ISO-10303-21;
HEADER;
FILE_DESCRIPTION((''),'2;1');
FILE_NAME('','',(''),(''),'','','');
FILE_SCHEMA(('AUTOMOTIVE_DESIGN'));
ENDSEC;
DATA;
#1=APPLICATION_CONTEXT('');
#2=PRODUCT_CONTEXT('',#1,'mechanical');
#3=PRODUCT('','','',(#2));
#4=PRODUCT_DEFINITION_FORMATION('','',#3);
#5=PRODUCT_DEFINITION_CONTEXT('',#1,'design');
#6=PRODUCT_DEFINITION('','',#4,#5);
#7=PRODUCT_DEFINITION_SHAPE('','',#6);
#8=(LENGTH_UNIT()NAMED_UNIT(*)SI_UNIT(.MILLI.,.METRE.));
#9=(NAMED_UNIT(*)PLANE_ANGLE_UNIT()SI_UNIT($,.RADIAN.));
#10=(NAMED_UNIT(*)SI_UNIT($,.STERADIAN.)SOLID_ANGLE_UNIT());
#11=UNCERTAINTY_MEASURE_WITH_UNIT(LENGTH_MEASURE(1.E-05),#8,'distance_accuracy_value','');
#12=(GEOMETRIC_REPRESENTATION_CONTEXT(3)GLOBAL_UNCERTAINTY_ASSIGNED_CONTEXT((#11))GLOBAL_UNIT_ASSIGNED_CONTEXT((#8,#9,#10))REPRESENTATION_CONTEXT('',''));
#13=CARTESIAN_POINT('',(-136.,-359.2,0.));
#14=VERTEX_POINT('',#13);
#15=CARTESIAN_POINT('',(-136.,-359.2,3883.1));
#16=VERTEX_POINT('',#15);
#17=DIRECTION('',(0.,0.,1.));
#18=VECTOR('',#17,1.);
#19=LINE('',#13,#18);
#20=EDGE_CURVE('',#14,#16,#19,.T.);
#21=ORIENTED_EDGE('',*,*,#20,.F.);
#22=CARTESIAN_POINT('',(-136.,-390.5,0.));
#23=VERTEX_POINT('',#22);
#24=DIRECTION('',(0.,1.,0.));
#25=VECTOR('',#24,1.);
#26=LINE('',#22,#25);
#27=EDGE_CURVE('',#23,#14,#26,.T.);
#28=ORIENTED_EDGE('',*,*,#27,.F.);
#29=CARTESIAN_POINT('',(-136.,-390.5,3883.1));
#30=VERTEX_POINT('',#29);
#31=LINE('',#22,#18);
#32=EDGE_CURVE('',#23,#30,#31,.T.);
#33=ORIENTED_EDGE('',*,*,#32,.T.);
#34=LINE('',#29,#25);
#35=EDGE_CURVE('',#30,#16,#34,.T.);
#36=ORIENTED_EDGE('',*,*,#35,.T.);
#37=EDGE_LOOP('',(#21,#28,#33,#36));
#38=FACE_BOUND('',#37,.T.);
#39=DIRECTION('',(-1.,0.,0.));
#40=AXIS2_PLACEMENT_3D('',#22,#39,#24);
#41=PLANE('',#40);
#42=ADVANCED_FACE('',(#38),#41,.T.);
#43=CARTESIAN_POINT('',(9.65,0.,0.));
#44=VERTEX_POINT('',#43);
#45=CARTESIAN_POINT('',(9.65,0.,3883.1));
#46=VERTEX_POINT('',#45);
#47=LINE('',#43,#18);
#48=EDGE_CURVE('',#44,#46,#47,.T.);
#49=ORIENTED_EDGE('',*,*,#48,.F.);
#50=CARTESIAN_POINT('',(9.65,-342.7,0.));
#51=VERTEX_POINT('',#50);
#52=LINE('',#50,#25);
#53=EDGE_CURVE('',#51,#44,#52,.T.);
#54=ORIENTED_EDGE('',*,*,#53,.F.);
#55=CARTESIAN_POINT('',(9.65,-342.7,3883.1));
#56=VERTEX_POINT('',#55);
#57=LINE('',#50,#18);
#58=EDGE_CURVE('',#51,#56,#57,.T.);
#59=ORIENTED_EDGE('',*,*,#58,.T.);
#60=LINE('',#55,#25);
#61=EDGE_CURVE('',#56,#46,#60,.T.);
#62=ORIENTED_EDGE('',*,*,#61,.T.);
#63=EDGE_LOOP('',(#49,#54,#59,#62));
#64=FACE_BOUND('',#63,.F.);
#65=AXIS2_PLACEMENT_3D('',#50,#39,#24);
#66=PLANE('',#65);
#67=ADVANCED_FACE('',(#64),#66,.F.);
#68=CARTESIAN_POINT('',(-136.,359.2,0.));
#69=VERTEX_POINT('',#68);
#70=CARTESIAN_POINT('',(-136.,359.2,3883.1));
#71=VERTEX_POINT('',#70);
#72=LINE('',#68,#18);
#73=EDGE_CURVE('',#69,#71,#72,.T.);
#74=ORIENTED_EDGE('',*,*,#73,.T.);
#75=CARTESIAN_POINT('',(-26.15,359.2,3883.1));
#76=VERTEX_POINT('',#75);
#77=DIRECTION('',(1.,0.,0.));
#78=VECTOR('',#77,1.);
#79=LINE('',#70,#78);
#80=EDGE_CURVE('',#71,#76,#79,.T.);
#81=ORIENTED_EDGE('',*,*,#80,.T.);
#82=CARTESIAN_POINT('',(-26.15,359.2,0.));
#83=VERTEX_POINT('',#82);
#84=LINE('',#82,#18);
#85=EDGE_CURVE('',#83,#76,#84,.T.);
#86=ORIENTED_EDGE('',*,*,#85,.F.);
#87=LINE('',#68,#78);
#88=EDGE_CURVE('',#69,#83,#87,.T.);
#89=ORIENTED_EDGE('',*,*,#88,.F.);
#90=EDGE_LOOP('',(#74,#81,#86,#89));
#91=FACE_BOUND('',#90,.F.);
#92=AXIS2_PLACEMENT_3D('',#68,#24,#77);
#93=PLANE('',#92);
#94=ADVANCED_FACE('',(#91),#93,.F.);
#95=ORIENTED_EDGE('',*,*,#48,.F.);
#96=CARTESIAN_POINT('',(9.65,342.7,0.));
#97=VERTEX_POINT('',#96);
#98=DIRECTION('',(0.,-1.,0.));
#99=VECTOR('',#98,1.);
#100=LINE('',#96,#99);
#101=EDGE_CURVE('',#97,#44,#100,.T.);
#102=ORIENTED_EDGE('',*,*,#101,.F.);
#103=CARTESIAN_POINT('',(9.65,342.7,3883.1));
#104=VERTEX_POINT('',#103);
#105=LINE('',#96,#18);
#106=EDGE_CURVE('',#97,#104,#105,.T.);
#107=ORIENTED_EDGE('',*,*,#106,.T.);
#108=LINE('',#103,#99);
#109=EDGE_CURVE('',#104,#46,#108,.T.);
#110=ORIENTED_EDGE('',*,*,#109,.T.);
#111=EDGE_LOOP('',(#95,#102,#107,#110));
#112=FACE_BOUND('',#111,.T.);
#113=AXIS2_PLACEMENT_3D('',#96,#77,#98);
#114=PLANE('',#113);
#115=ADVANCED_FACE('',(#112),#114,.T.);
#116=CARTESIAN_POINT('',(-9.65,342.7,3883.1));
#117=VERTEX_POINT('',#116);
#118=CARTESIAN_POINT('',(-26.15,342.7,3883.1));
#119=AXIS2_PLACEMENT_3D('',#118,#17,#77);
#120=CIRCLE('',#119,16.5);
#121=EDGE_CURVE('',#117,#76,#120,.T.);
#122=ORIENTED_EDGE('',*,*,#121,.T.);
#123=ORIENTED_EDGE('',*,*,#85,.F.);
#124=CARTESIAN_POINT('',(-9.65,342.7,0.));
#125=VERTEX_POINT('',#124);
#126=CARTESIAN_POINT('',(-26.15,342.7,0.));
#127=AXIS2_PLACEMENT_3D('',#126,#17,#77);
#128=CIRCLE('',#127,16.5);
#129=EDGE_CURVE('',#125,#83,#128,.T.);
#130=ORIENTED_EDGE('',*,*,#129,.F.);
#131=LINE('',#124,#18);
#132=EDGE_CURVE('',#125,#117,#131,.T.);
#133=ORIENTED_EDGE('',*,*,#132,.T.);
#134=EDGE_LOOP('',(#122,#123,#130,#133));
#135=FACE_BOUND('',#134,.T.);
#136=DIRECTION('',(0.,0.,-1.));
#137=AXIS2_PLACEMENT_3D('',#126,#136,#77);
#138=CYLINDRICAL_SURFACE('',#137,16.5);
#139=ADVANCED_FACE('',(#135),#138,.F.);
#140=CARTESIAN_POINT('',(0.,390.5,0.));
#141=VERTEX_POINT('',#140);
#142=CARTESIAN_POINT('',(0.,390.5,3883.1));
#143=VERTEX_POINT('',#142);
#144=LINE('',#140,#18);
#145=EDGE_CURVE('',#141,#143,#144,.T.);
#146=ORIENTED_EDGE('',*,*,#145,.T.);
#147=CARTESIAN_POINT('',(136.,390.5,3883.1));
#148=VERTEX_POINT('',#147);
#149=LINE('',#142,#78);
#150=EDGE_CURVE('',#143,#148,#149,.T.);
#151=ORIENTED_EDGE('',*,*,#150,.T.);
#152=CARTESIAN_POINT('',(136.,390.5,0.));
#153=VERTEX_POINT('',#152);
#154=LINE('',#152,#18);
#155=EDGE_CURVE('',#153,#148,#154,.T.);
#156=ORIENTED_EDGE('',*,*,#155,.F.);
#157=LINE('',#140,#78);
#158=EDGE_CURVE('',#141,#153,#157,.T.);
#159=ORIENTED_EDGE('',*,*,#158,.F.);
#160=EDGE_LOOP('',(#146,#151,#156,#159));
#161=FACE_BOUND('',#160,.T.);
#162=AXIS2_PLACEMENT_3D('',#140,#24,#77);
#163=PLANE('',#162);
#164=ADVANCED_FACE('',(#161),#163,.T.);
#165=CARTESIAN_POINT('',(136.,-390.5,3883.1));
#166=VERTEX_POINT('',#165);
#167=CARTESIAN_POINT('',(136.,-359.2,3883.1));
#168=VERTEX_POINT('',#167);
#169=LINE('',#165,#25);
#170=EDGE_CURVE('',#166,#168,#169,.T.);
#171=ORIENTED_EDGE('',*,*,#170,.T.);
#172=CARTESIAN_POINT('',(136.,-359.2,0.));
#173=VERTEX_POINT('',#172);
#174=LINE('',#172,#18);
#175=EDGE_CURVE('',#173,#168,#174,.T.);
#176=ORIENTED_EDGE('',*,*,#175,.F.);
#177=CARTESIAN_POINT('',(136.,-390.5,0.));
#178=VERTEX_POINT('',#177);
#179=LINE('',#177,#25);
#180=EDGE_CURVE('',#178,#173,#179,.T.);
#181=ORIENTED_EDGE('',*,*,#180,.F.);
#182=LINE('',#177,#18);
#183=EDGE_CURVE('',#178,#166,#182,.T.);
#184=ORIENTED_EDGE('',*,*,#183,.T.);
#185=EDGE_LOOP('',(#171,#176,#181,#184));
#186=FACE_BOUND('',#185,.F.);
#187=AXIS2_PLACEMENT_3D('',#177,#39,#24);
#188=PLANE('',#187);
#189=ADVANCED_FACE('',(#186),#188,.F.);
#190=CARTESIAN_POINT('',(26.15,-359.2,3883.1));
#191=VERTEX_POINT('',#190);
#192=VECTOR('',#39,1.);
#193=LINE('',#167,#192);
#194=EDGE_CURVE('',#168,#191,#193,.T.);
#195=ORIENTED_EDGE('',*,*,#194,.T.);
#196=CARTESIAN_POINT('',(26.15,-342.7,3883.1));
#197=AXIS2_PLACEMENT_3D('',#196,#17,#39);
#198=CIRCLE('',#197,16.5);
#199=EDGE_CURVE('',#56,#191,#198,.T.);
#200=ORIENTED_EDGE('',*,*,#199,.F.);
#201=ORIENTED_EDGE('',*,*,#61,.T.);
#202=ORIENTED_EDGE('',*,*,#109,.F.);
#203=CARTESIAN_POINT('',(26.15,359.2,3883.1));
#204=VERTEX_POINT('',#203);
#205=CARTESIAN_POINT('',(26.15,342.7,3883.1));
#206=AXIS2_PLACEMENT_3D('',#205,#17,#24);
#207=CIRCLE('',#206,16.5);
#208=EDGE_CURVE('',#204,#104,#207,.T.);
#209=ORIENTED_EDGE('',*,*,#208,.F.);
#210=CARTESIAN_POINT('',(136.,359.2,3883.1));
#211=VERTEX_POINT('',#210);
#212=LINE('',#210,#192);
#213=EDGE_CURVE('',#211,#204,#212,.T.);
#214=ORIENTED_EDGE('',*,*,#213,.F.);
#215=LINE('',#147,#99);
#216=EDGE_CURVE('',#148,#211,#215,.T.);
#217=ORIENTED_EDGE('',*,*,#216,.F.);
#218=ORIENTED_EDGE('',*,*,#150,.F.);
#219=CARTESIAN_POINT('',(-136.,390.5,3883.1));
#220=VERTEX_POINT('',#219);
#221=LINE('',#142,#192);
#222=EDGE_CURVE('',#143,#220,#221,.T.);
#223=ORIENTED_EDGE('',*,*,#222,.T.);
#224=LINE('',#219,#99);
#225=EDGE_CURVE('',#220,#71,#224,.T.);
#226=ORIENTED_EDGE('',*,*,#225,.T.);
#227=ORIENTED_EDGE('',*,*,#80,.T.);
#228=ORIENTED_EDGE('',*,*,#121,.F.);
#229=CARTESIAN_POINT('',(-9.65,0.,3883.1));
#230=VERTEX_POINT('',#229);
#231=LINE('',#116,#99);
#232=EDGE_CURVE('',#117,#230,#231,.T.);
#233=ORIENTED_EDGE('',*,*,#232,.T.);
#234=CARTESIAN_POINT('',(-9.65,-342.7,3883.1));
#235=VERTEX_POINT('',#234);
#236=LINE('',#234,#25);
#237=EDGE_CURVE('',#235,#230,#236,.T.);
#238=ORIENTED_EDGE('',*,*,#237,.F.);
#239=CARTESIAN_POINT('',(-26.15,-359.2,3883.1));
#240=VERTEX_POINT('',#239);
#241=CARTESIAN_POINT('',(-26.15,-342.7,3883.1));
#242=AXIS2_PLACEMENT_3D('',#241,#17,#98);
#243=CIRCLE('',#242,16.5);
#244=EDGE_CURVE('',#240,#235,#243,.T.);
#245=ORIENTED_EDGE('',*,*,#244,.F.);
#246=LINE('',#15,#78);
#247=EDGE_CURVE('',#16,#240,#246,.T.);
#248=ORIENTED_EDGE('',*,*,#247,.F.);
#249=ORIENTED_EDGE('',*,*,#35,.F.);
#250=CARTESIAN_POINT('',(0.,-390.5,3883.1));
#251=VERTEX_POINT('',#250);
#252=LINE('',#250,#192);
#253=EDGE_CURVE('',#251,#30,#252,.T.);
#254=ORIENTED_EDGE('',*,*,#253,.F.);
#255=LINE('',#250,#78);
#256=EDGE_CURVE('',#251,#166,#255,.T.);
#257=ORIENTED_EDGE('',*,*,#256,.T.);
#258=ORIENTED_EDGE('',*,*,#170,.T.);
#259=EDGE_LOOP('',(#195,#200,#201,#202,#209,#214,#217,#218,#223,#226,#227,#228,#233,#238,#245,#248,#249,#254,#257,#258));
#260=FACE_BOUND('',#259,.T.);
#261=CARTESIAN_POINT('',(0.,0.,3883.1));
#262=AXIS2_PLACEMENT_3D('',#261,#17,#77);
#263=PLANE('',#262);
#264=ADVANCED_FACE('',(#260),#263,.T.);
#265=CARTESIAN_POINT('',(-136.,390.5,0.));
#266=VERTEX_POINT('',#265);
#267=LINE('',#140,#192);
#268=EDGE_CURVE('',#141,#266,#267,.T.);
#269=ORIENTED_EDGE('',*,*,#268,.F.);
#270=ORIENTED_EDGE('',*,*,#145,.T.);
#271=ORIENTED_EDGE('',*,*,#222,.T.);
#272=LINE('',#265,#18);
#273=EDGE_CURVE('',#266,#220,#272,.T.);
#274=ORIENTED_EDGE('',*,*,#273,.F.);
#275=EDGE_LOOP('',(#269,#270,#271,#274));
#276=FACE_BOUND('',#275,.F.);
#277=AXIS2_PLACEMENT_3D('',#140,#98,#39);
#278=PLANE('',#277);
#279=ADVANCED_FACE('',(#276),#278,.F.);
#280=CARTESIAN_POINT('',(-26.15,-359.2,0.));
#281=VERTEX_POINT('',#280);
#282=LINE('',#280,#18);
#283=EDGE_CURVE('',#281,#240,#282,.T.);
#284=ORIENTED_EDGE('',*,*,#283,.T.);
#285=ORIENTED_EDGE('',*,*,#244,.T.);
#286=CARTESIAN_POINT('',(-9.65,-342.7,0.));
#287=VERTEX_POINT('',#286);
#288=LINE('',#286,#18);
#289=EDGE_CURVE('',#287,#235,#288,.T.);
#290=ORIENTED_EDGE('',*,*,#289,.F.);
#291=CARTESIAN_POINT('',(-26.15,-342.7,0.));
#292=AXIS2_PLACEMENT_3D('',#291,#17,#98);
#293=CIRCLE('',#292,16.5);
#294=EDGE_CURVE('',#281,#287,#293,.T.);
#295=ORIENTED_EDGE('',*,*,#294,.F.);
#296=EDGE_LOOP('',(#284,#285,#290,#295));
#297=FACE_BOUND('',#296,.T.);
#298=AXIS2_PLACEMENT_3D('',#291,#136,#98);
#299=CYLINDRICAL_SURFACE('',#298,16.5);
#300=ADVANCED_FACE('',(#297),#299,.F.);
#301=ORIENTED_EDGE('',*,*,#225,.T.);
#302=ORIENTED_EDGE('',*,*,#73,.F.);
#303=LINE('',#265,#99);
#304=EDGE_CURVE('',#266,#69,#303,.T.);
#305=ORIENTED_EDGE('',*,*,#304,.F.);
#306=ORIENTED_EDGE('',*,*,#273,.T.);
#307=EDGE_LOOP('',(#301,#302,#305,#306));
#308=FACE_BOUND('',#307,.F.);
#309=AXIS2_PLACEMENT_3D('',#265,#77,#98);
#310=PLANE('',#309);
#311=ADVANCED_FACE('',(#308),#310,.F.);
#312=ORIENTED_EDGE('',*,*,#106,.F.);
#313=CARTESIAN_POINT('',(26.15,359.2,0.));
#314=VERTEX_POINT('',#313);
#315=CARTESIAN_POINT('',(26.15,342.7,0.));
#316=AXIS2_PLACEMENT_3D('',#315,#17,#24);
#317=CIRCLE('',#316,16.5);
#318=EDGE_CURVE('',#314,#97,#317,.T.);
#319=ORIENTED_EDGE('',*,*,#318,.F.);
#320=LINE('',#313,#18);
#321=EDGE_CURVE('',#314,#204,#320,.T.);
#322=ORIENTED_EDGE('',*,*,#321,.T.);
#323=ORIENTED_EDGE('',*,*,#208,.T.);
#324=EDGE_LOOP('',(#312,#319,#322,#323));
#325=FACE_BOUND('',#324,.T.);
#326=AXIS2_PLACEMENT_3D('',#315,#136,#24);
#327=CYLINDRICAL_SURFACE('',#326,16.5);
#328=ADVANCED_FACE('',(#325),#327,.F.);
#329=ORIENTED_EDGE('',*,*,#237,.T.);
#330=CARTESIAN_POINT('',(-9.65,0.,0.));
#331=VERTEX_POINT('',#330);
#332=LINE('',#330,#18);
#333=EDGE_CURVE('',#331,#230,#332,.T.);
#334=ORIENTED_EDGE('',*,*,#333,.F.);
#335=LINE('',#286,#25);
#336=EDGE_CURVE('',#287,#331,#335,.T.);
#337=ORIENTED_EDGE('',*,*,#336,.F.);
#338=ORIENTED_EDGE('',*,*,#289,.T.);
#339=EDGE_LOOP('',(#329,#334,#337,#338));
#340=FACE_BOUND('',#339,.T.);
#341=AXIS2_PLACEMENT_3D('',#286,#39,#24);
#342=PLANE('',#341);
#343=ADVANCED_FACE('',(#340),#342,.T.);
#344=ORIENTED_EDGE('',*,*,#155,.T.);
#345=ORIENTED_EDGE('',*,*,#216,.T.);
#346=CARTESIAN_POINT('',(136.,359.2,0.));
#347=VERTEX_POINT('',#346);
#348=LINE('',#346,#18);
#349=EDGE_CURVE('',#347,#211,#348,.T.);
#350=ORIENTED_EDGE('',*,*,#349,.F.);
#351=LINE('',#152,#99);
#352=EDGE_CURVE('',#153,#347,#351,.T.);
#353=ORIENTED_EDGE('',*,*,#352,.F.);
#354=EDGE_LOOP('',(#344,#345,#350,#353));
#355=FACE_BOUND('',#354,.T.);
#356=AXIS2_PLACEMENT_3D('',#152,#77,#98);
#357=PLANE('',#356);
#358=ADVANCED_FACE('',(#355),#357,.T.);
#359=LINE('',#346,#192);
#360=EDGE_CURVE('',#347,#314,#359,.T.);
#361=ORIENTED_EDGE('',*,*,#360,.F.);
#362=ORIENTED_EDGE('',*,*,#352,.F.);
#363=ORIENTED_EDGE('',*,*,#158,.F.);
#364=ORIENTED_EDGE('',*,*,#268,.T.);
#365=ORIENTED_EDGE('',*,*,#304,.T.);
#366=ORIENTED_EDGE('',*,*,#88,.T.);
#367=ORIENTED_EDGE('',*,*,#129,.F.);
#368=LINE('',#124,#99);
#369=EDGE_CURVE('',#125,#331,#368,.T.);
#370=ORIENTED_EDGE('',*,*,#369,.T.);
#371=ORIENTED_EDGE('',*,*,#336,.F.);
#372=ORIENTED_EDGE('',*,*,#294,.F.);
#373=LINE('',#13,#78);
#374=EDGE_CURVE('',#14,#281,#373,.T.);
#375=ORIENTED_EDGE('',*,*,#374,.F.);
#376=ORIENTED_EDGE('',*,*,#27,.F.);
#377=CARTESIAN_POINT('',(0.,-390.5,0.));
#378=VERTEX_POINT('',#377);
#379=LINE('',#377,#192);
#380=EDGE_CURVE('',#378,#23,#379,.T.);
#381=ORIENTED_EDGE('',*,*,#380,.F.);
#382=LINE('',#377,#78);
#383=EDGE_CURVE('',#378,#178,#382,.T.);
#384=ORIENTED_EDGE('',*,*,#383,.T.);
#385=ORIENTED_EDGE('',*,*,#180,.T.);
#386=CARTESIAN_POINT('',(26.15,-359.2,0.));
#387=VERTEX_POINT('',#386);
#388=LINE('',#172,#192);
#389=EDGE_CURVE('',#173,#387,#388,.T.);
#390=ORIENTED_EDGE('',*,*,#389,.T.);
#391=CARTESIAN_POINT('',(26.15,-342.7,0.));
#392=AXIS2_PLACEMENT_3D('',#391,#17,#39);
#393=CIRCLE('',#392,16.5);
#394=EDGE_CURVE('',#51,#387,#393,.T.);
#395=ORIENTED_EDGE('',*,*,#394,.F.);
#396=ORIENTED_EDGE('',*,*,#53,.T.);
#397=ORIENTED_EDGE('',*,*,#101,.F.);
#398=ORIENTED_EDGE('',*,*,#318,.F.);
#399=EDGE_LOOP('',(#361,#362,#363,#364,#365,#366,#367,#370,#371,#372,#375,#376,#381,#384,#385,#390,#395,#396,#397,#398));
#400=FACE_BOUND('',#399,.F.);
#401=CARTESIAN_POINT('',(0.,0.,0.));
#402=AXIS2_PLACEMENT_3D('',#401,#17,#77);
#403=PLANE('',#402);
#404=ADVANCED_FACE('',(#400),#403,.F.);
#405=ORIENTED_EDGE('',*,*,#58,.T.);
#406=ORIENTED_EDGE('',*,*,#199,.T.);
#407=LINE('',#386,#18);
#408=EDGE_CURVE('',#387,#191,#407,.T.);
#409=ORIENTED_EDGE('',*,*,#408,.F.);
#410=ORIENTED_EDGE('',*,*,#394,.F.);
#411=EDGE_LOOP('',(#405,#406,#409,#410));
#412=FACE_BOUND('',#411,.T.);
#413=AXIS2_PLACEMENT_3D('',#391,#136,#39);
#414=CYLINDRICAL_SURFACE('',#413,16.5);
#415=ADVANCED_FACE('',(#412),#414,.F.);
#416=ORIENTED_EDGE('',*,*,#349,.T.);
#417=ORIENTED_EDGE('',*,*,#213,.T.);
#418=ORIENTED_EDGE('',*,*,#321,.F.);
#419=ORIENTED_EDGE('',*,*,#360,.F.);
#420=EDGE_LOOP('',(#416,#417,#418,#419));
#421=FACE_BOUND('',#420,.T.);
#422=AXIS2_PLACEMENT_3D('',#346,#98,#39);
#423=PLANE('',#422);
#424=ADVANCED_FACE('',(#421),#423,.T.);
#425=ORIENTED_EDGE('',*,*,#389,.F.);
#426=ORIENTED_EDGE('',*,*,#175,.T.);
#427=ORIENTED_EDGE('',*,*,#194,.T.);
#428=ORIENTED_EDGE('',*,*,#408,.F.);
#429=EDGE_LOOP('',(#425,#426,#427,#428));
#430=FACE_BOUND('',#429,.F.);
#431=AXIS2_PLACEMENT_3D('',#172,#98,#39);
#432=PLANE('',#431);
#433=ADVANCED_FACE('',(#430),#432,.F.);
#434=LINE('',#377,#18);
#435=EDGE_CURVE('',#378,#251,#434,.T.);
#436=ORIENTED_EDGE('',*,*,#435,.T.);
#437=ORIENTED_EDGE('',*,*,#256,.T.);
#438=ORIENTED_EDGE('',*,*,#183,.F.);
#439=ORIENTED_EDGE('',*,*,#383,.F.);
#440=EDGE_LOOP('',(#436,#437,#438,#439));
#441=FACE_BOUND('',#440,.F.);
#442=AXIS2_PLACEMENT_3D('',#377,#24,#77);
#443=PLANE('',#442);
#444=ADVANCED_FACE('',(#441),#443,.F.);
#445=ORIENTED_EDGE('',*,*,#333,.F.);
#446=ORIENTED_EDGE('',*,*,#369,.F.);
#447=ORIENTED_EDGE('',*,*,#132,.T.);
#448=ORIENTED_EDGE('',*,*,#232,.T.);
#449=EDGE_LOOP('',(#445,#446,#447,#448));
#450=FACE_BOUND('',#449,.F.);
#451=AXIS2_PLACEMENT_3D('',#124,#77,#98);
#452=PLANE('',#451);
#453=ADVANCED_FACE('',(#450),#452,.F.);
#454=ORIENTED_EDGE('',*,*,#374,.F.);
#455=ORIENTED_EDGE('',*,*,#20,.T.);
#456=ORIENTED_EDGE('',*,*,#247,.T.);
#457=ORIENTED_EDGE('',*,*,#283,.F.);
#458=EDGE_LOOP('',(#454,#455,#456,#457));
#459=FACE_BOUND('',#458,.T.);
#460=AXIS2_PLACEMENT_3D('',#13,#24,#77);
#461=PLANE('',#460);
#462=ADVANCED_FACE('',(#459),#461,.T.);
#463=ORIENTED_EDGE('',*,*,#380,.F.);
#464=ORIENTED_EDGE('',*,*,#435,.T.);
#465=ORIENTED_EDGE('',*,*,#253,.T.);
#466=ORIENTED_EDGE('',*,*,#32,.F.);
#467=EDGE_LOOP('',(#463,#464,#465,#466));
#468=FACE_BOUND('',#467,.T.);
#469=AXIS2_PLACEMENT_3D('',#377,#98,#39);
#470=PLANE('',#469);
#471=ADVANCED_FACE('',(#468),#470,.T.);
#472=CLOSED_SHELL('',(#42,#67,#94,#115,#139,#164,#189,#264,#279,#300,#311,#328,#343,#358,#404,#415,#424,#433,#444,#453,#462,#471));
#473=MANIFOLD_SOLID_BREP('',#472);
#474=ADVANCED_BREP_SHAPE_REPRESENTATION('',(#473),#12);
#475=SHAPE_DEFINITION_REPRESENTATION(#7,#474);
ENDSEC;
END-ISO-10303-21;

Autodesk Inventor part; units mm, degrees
ref_plane "YZ Plane" through (0, 0, 0) normal (1, 0, 0) x (0, 1, 0)
ref_plane "Start plane" through (0, 0, 0) normal (0, 0, 1) x (1, 0, 0)
ref_plane "End plane" through (0, 0, 3883.1) normal (0, 0, 1) x (1, 0, 0)
sketch "Sketch" plane through (0, 0, 0) normal (0, 0, 1) x (1, 0, 0)
  line L0 (-136, -390.5) -> (-136, -359.2)
  line L1 (-136, -359.2) -> (-26.15, -359.2)
  line L2 (-9.65, -342.7) -> (-9.65, 0)
  line L3 (-9.65, 0) -> (0, 0) construction
  line L4 (0, 0) -> (0, -390.5) construction
  line L5 (0, -390.5) -> (-136, -390.5)
  line L6 (-60, 0) -> (80, 0) construction
  line L7 (0, -60) -> (0, 80) construction
  line L8 (136, -390.5) -> (136, -359.2)
  line L9 (136, -359.2) -> (26.15, -359.2)
  line L10 (9.65, -342.7) -> (9.65, 0)
  line L11 (9.65, 0) -> (0, 0) construction
  line L12 (0, -390.5) -> (136, -390.5)
  line L13 (-136, 390.5) -> (-136, 359.2)
  line L14 (-136, 359.2) -> (-26.15, 359.2)
  line L15 (-9.65, 342.7) -> (-9.65, 0)
  line L16 (0, 390.5) -> (-136, 390.5)
  line L17 (136, 390.5) -> (136, 359.2)
  line L18 (136, 359.2) -> (26.15, 359.2)
  line L19 (0, 390.5) -> (136, 390.5)
  line L20 (9.65, 342.7) -> (9.65, 0)
  arc A0 (-9.65, 342.7) -> (-26.15, 359.2) centre (-26.15, 342.7) ccw
  arc A1 (26.15, 359.2) -> (9.65, 342.7) centre (26.15, 342.7) ccw
  arc A2 (9.65, -342.7) -> (26.15, -359.2) centre (26.15, -342.7) ccw
  arc A3 (-26.15, -359.2) -> (-9.65, -342.7) centre (-26.15, -342.7) ccw
  line L21 (0, 108) -> (0, -88) construction
  line L22 (-88, 0) -> (108, 0) construction
  point P0 (-9.65, -359.2)
  point P1 (9.65, -359.2)
  point P2 (-9.65, 359.2)
  point P3 (9.65, 359.2)
  dimension "d1" = 390.5
  dimension "d2" = 31.3
  dimension "d3" = 136
  dimension "d4" = 9.65
  dimension "d10" = 16.5
extrude "Body" add sketch "Sketch" along normal up to surface (3883.1 mm away) from surface at 0
sketch "Sketch4" plane through (0, 0, 0) normal (0, 0, 1) x (1, 0, 0)
  line L0 (0, 0) -> (10, 0)
ref_plane "Work Plane3" through (0, 0, 0) normal (0, -1, 0) x (1, 0, 0)
sketch "Sketch5" plane through (0, 0, 0) normal (0, -1, 0) x (1, 0, 0)
  line L0 (-2, 0) -> (12, 0) projected
  line L1 (-2, 3883.1) -> (12, 3883.1) projected
  dimension "d14" = 3883.1
equation "\"d1\" = 0.5 * G_H"
equation "\"d2\" = G_T1"
equation "\"d3\" = 0.5 * G_W"
equation "\"d4\" = 0.5 * G_T"
equation "\"d10\" = G_IR"
equation "\"d5\" = G_L"
equation "\"G_W\" = 272"
equation "\"G_H\" = 781"
equation "\"G_T\" = 19.3"
equation "\"G_T1\" = 31.3"
equation "\"G_IR\" = 16.5"
equation "\"G_L\" = d14"
equation "\"G_OFFSET_START\" = 0"
equation "\"G_OFFSET_END\" = 0"
equation "\"d12\" = G_OFFSET_END + B_L"
equation "\"B_L\" = 3883.1"
properties part number "AS 3679-1990 - 760 UB - 244 - 3883.1" material "Steel, Mild"
